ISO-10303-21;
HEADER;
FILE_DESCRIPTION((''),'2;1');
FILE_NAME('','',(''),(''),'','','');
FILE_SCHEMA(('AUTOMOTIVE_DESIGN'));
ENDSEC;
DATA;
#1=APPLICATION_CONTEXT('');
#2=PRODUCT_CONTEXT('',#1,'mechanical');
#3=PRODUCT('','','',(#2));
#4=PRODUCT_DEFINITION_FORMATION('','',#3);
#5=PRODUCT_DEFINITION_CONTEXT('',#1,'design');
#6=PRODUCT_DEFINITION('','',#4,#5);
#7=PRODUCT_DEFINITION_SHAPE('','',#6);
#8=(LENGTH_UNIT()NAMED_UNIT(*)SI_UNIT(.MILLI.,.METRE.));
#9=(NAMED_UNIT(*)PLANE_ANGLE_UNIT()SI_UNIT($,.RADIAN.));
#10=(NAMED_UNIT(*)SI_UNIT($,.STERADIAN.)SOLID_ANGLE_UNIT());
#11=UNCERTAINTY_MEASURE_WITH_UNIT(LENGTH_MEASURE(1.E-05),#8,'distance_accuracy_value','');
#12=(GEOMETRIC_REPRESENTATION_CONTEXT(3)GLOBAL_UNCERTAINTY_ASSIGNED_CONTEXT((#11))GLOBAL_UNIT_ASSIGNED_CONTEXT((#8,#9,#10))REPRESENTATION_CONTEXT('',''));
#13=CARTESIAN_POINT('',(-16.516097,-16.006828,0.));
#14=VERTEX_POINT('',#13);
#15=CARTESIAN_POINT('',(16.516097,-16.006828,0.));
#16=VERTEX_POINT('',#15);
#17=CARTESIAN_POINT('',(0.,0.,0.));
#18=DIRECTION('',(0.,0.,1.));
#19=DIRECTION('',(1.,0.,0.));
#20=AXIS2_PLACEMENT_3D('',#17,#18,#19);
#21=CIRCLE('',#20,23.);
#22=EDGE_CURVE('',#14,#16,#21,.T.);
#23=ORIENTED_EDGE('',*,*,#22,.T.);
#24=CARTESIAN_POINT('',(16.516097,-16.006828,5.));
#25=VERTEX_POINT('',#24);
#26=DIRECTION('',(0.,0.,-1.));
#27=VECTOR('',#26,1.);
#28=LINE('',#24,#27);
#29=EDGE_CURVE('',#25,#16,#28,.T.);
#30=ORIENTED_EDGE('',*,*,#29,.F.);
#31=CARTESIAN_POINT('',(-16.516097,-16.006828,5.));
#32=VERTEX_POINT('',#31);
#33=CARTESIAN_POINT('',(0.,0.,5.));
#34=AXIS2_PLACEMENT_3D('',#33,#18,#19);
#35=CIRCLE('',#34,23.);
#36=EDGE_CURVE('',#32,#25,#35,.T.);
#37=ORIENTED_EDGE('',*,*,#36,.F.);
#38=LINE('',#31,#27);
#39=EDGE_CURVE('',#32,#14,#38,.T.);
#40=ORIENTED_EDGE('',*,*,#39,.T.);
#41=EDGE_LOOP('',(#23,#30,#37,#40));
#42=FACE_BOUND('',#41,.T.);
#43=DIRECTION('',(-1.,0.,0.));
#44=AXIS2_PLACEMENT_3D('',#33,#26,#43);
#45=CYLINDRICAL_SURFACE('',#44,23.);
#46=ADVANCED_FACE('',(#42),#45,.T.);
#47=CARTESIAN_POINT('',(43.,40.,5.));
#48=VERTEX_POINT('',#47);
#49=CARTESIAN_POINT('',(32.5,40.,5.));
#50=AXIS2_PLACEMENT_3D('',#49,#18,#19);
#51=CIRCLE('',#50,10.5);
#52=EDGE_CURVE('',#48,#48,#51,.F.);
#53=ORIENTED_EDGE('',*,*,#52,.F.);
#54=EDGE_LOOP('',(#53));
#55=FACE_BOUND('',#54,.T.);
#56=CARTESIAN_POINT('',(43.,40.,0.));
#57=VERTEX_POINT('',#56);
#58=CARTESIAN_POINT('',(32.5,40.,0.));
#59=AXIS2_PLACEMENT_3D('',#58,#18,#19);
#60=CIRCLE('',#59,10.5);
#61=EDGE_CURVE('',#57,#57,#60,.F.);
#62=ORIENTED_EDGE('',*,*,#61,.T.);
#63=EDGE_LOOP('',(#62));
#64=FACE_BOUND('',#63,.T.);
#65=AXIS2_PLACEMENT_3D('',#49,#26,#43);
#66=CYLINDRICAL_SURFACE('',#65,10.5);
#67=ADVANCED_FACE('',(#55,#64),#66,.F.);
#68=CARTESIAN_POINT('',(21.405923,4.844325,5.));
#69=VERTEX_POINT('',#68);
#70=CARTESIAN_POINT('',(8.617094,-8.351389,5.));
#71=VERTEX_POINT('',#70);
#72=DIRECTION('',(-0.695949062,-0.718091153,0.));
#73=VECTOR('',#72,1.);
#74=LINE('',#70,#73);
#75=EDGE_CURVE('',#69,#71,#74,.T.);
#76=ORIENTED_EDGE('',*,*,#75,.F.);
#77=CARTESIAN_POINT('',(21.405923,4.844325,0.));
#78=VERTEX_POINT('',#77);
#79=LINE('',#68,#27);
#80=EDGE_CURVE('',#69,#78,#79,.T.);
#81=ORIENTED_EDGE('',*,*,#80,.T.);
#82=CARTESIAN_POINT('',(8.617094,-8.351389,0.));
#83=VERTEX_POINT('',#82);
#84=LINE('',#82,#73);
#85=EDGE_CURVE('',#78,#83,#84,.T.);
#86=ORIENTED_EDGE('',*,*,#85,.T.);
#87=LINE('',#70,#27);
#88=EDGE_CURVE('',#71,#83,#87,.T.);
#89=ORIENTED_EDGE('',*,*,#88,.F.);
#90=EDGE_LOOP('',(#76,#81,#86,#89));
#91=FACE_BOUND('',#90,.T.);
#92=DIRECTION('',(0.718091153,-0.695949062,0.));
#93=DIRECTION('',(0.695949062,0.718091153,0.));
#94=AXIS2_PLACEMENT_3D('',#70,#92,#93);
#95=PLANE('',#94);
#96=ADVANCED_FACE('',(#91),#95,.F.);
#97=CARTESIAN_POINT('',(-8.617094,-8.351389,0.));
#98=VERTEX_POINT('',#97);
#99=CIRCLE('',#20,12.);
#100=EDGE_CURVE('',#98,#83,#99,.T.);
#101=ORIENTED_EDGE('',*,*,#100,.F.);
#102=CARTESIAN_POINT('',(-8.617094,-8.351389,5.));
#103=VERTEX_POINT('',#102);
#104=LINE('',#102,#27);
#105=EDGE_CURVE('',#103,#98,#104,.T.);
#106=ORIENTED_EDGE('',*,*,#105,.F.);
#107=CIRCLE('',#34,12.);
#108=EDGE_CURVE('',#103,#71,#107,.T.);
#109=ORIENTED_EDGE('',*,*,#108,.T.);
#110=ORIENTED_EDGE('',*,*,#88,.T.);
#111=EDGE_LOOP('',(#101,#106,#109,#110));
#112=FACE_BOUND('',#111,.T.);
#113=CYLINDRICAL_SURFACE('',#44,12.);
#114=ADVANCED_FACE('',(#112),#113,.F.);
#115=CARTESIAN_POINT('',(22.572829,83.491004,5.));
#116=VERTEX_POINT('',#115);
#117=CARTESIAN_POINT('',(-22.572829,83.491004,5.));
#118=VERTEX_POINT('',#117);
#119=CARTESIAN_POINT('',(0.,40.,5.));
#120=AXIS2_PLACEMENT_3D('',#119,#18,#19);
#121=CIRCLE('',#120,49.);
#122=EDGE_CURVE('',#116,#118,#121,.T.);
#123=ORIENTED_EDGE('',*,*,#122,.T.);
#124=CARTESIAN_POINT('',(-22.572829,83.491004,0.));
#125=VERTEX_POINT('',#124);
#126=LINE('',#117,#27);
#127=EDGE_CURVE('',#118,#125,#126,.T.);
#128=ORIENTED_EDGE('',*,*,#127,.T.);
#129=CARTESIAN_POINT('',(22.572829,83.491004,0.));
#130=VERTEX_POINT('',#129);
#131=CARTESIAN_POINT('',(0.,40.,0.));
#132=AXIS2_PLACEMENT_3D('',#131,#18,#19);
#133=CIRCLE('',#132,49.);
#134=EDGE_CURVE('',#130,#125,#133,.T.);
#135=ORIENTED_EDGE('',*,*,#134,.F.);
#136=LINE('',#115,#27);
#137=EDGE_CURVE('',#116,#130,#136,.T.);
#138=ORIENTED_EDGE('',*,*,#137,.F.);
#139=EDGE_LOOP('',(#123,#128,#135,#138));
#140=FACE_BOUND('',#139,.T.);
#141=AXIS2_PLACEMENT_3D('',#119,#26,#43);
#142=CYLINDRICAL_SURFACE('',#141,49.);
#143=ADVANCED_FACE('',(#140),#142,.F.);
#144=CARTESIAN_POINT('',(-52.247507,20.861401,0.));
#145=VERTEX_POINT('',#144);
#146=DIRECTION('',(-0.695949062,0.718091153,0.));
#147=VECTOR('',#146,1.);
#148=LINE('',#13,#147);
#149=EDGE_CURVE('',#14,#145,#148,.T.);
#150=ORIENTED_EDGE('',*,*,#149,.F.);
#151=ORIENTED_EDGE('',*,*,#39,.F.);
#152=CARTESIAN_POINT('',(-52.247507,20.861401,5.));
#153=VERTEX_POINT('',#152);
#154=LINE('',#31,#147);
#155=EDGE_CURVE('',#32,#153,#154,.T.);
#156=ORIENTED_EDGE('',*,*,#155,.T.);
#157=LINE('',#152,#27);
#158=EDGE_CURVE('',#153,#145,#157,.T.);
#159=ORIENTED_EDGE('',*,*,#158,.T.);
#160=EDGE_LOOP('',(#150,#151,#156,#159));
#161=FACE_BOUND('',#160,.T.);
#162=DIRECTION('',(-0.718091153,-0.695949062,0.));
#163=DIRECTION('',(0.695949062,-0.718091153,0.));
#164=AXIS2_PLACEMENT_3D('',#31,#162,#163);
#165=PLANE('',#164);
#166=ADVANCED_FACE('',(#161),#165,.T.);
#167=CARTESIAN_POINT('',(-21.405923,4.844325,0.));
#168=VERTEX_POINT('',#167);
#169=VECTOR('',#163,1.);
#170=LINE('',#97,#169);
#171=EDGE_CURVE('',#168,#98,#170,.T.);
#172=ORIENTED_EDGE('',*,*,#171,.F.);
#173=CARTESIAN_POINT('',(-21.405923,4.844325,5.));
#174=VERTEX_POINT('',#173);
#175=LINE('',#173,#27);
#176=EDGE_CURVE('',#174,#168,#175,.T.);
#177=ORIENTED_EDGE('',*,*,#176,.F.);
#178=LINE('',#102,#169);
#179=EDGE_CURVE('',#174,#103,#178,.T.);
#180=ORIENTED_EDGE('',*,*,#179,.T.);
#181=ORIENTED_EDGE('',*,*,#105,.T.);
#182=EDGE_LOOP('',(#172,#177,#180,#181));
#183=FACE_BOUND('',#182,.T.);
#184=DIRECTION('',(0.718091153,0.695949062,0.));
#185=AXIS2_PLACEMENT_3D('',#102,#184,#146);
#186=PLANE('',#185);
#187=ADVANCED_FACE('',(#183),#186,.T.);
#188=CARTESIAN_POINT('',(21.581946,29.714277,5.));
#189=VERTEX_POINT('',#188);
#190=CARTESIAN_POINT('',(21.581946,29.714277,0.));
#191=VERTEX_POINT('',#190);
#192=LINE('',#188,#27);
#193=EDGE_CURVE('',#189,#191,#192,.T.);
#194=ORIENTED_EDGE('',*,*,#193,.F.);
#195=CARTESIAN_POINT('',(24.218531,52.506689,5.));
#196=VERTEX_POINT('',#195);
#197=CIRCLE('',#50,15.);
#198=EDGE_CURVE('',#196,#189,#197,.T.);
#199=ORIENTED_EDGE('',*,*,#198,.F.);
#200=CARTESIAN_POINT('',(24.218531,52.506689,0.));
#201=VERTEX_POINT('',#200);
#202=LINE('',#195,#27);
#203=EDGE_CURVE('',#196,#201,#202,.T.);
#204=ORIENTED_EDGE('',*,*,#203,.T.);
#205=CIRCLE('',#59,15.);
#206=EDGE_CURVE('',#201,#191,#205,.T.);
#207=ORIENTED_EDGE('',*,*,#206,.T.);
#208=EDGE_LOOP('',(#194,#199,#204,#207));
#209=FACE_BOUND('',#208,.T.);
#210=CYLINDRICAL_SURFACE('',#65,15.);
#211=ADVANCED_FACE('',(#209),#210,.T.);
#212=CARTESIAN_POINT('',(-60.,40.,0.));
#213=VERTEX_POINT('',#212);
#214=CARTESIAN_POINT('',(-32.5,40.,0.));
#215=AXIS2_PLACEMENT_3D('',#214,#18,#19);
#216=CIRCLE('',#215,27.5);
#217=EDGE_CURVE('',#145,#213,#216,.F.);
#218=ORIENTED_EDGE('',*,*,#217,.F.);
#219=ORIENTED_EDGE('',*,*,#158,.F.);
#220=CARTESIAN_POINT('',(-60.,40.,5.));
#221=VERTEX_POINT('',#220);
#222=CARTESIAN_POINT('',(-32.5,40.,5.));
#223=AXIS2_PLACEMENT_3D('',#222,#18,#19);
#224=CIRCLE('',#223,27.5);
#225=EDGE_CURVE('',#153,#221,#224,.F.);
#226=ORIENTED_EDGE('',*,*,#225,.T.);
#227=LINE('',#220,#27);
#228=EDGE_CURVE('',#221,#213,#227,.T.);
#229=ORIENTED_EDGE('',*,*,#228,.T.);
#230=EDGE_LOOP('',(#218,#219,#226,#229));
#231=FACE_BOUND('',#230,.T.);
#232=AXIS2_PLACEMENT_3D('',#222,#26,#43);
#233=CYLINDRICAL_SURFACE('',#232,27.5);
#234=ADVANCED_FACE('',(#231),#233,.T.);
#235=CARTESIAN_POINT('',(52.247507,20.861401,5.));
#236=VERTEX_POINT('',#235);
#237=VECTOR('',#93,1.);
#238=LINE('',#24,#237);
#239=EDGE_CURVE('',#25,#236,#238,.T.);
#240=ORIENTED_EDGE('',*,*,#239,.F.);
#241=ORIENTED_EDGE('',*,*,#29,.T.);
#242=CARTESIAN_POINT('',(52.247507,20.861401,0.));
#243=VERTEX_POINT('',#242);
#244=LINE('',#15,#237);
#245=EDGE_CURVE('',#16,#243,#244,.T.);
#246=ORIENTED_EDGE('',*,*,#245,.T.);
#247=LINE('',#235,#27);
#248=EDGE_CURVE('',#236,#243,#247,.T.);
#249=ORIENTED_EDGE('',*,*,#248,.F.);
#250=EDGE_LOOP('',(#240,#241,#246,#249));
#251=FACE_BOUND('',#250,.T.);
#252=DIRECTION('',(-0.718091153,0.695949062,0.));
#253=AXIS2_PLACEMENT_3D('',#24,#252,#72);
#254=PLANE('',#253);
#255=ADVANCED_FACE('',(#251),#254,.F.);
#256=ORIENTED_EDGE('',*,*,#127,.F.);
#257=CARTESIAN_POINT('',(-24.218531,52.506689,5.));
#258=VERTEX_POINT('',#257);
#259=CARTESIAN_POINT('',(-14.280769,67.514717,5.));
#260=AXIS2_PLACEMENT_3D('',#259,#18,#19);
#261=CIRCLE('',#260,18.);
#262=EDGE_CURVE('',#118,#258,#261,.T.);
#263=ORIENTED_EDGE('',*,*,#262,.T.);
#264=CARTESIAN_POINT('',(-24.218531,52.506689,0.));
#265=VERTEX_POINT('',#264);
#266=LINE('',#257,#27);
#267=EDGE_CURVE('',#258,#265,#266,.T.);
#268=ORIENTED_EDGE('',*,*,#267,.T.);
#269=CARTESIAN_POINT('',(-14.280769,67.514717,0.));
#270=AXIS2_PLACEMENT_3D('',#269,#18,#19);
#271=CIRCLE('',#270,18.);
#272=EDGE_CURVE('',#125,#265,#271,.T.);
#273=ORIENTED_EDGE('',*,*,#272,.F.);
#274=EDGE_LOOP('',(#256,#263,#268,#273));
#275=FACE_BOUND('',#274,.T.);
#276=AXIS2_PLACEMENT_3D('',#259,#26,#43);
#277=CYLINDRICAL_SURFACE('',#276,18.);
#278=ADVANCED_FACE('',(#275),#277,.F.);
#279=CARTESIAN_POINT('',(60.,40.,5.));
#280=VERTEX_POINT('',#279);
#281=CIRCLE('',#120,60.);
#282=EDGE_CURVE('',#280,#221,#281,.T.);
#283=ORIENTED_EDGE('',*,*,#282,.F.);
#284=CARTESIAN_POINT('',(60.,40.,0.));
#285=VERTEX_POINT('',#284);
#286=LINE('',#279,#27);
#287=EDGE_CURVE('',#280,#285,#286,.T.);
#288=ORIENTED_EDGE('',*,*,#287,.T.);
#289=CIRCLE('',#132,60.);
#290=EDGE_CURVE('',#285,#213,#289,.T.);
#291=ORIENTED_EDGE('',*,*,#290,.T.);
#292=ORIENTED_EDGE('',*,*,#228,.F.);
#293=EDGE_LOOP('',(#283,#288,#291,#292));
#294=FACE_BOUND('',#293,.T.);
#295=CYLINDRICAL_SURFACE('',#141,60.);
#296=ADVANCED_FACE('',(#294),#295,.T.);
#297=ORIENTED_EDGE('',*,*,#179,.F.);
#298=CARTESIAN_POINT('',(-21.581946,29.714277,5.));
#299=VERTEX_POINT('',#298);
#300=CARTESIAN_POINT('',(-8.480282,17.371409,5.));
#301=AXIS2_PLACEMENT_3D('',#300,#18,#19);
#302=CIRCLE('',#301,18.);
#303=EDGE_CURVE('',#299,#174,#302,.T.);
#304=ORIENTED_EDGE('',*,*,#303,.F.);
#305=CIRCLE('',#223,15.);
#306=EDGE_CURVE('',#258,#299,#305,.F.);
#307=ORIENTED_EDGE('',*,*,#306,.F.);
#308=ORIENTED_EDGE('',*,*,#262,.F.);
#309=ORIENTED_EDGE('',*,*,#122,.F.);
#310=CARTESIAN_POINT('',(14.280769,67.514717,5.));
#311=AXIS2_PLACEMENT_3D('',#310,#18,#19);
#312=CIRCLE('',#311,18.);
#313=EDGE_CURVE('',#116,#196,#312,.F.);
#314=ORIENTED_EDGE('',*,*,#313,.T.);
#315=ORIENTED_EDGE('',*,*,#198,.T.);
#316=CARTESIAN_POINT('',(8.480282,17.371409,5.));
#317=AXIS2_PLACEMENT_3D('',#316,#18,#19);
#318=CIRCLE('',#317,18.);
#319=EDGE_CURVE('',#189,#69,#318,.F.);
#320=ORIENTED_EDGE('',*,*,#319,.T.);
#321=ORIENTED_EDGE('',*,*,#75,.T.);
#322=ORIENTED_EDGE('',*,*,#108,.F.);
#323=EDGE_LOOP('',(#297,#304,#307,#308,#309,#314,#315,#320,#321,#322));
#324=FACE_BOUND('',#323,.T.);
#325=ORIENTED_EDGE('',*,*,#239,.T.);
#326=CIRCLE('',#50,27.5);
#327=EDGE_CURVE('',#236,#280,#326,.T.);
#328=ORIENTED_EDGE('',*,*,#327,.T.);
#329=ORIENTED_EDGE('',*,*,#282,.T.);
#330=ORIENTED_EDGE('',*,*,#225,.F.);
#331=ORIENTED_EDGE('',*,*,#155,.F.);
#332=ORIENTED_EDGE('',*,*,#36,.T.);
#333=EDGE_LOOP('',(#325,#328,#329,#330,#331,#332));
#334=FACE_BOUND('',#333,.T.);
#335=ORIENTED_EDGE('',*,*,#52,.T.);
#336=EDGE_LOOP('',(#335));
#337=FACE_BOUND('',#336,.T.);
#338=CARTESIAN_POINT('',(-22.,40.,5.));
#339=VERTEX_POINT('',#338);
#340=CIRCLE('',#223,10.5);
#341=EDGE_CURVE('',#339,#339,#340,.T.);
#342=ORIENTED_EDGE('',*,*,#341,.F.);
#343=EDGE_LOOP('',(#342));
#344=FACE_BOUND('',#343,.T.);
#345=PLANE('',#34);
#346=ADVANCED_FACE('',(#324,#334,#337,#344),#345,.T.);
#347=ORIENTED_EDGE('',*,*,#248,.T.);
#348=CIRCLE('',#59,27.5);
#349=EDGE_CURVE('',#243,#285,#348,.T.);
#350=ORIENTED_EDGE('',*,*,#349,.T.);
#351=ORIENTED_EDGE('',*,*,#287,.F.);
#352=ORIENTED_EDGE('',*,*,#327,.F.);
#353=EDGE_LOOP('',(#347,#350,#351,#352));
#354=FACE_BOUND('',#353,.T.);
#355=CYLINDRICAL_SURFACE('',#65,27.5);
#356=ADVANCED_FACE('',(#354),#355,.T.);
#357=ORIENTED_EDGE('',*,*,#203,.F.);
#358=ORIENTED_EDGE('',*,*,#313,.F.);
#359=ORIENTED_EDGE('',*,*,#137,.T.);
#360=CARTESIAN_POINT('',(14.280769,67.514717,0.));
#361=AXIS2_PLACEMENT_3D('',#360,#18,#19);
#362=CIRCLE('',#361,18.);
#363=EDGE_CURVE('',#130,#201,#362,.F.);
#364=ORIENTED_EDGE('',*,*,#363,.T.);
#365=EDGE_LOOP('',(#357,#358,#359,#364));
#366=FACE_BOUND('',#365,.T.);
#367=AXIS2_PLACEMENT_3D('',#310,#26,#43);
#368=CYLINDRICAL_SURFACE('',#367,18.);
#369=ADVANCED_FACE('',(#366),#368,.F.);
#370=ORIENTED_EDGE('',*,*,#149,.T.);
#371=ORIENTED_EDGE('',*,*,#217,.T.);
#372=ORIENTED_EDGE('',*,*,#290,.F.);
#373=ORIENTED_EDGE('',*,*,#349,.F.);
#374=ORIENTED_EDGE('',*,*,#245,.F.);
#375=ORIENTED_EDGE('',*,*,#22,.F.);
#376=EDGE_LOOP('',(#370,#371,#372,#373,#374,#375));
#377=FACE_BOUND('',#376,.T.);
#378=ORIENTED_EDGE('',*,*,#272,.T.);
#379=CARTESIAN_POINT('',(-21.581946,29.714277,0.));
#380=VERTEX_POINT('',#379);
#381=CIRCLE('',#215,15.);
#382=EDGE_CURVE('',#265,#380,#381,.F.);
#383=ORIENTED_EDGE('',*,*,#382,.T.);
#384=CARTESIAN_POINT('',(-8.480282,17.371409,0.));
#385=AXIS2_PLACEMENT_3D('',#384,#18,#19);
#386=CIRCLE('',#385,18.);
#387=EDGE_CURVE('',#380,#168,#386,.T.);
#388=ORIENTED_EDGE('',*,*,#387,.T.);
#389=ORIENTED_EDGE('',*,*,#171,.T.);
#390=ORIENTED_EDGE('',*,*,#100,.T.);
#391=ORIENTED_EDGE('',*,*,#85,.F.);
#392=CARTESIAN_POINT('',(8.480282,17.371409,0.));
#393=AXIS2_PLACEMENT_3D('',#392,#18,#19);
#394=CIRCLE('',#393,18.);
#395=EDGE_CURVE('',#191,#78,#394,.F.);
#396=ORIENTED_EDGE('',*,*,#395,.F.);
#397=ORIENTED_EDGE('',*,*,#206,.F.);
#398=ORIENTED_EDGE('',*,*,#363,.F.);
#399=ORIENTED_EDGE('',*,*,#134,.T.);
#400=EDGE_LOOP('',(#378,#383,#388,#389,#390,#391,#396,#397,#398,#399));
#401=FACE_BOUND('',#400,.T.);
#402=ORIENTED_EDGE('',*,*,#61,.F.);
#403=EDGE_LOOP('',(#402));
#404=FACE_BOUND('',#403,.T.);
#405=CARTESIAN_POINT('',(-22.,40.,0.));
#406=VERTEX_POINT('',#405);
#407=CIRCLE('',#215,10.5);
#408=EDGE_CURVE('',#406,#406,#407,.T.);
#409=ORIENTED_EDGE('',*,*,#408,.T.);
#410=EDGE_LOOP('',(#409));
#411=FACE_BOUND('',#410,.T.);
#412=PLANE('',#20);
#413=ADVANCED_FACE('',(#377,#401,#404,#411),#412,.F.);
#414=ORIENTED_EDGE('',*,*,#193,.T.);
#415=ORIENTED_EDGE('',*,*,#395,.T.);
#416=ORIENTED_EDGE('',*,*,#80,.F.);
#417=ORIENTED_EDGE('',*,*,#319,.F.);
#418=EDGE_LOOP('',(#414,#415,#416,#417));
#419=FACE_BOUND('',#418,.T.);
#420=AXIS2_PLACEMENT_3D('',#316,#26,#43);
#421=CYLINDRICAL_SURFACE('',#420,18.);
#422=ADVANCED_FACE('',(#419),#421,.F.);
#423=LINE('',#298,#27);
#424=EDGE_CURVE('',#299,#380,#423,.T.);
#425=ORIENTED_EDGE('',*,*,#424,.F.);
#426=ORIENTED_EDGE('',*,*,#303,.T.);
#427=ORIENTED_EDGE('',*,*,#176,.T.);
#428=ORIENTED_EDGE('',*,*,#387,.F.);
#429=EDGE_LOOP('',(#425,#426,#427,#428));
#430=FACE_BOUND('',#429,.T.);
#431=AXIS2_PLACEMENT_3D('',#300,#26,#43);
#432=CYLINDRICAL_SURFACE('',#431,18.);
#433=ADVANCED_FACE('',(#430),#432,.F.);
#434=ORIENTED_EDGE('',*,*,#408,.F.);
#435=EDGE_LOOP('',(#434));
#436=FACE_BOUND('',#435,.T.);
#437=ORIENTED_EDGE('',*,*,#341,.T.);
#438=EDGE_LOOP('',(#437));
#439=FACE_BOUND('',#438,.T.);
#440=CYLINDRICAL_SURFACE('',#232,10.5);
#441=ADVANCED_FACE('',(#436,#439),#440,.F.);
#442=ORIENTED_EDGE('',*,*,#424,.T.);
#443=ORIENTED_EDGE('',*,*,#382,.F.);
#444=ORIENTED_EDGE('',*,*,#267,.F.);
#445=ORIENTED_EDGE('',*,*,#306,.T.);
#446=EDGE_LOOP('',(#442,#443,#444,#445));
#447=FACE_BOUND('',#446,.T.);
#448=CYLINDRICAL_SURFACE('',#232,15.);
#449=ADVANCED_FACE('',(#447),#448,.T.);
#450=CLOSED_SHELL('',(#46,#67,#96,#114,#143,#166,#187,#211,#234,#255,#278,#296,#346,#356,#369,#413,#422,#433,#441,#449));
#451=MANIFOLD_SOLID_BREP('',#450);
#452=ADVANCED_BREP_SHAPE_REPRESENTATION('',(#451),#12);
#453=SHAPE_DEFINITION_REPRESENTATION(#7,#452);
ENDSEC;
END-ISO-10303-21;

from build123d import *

# Parameters (mm, degrees)
SKETCH2_R           = 10.5
BOSS_EXTRUDE1_DEPTH = 5


with BuildPart() as part:
    # Sketch2 → Boss-Extrude1 (new body)
    with BuildSketch(Plane.XY):
        with BuildLine():
            ThreePointArc((60, 40), (0, 100), (-60, 40))
            ThreePointArc((-60, 40), (-57.988295689, 29.675428199), (-52.2475067, 20.861400806))
            Line((-52.2475067, 20.861400806), (-16.516096513, -16.006828417))
            ThreePointArc((-16.516096513, -16.006828417), (0, -23), (16.516096513, -16.006828417))
            Line((16.516096513, -16.006828417), (52.2475067, 20.861400806))
            ThreePointArc((52.2475067, 20.861400806), (57.988295689, 29.675428199), (60, 40))
        make_face()
        with Locations((32.5, 40)):
            Circle(SKETCH2_R, mode=Mode.SUBTRACT)
        with Locations((-32.5, 40)):
            Circle(SKETCH2_R, mode=Mode.SUBTRACT)
        with BuildLine():
            ThreePointArc((-22.572828784, 83.491003675), (-32.255432897, 68.469423949), (-24.218531469, 52.506689369))
            ThreePointArc((-24.218531469, 52.506689369), (-17.599364702, 41.723678544), (-21.581946383, 29.714276632))
            ThreePointArc((-21.581946383, 29.714276632), (-26.479831206, 17.244012068), (-21.405922791, 4.844325481))
            Line((-21.405922791, 4.844325481), (-8.617093833, -8.351388739))
            ThreePointArc((-8.617093833, -8.351388739), (0, -12), (8.617093833, -8.351388739))
            Line((8.617093833, -8.351388739), (21.405922791, 4.844325481))
            ThreePointArc((21.405922791, 4.844325481), (26.479831206, 17.244012068), (21.581946383, 29.714276632))
            ThreePointArc((21.581946383, 29.714276632), (17.599364702, 41.723678544), (24.218531469, 52.506689369))
            ThreePointArc((24.218531469, 52.506689369), (32.255432897, 68.469423949), (22.572828784, 83.491003675))
            ThreePointArc((22.572828784, 83.491003675), (0, 89), (-22.572828784, 83.491003675))
        make_face(mode=Mode.SUBTRACT)
    extrude(amount=BOSS_EXTRUDE1_DEPTH)


solid = part.part
